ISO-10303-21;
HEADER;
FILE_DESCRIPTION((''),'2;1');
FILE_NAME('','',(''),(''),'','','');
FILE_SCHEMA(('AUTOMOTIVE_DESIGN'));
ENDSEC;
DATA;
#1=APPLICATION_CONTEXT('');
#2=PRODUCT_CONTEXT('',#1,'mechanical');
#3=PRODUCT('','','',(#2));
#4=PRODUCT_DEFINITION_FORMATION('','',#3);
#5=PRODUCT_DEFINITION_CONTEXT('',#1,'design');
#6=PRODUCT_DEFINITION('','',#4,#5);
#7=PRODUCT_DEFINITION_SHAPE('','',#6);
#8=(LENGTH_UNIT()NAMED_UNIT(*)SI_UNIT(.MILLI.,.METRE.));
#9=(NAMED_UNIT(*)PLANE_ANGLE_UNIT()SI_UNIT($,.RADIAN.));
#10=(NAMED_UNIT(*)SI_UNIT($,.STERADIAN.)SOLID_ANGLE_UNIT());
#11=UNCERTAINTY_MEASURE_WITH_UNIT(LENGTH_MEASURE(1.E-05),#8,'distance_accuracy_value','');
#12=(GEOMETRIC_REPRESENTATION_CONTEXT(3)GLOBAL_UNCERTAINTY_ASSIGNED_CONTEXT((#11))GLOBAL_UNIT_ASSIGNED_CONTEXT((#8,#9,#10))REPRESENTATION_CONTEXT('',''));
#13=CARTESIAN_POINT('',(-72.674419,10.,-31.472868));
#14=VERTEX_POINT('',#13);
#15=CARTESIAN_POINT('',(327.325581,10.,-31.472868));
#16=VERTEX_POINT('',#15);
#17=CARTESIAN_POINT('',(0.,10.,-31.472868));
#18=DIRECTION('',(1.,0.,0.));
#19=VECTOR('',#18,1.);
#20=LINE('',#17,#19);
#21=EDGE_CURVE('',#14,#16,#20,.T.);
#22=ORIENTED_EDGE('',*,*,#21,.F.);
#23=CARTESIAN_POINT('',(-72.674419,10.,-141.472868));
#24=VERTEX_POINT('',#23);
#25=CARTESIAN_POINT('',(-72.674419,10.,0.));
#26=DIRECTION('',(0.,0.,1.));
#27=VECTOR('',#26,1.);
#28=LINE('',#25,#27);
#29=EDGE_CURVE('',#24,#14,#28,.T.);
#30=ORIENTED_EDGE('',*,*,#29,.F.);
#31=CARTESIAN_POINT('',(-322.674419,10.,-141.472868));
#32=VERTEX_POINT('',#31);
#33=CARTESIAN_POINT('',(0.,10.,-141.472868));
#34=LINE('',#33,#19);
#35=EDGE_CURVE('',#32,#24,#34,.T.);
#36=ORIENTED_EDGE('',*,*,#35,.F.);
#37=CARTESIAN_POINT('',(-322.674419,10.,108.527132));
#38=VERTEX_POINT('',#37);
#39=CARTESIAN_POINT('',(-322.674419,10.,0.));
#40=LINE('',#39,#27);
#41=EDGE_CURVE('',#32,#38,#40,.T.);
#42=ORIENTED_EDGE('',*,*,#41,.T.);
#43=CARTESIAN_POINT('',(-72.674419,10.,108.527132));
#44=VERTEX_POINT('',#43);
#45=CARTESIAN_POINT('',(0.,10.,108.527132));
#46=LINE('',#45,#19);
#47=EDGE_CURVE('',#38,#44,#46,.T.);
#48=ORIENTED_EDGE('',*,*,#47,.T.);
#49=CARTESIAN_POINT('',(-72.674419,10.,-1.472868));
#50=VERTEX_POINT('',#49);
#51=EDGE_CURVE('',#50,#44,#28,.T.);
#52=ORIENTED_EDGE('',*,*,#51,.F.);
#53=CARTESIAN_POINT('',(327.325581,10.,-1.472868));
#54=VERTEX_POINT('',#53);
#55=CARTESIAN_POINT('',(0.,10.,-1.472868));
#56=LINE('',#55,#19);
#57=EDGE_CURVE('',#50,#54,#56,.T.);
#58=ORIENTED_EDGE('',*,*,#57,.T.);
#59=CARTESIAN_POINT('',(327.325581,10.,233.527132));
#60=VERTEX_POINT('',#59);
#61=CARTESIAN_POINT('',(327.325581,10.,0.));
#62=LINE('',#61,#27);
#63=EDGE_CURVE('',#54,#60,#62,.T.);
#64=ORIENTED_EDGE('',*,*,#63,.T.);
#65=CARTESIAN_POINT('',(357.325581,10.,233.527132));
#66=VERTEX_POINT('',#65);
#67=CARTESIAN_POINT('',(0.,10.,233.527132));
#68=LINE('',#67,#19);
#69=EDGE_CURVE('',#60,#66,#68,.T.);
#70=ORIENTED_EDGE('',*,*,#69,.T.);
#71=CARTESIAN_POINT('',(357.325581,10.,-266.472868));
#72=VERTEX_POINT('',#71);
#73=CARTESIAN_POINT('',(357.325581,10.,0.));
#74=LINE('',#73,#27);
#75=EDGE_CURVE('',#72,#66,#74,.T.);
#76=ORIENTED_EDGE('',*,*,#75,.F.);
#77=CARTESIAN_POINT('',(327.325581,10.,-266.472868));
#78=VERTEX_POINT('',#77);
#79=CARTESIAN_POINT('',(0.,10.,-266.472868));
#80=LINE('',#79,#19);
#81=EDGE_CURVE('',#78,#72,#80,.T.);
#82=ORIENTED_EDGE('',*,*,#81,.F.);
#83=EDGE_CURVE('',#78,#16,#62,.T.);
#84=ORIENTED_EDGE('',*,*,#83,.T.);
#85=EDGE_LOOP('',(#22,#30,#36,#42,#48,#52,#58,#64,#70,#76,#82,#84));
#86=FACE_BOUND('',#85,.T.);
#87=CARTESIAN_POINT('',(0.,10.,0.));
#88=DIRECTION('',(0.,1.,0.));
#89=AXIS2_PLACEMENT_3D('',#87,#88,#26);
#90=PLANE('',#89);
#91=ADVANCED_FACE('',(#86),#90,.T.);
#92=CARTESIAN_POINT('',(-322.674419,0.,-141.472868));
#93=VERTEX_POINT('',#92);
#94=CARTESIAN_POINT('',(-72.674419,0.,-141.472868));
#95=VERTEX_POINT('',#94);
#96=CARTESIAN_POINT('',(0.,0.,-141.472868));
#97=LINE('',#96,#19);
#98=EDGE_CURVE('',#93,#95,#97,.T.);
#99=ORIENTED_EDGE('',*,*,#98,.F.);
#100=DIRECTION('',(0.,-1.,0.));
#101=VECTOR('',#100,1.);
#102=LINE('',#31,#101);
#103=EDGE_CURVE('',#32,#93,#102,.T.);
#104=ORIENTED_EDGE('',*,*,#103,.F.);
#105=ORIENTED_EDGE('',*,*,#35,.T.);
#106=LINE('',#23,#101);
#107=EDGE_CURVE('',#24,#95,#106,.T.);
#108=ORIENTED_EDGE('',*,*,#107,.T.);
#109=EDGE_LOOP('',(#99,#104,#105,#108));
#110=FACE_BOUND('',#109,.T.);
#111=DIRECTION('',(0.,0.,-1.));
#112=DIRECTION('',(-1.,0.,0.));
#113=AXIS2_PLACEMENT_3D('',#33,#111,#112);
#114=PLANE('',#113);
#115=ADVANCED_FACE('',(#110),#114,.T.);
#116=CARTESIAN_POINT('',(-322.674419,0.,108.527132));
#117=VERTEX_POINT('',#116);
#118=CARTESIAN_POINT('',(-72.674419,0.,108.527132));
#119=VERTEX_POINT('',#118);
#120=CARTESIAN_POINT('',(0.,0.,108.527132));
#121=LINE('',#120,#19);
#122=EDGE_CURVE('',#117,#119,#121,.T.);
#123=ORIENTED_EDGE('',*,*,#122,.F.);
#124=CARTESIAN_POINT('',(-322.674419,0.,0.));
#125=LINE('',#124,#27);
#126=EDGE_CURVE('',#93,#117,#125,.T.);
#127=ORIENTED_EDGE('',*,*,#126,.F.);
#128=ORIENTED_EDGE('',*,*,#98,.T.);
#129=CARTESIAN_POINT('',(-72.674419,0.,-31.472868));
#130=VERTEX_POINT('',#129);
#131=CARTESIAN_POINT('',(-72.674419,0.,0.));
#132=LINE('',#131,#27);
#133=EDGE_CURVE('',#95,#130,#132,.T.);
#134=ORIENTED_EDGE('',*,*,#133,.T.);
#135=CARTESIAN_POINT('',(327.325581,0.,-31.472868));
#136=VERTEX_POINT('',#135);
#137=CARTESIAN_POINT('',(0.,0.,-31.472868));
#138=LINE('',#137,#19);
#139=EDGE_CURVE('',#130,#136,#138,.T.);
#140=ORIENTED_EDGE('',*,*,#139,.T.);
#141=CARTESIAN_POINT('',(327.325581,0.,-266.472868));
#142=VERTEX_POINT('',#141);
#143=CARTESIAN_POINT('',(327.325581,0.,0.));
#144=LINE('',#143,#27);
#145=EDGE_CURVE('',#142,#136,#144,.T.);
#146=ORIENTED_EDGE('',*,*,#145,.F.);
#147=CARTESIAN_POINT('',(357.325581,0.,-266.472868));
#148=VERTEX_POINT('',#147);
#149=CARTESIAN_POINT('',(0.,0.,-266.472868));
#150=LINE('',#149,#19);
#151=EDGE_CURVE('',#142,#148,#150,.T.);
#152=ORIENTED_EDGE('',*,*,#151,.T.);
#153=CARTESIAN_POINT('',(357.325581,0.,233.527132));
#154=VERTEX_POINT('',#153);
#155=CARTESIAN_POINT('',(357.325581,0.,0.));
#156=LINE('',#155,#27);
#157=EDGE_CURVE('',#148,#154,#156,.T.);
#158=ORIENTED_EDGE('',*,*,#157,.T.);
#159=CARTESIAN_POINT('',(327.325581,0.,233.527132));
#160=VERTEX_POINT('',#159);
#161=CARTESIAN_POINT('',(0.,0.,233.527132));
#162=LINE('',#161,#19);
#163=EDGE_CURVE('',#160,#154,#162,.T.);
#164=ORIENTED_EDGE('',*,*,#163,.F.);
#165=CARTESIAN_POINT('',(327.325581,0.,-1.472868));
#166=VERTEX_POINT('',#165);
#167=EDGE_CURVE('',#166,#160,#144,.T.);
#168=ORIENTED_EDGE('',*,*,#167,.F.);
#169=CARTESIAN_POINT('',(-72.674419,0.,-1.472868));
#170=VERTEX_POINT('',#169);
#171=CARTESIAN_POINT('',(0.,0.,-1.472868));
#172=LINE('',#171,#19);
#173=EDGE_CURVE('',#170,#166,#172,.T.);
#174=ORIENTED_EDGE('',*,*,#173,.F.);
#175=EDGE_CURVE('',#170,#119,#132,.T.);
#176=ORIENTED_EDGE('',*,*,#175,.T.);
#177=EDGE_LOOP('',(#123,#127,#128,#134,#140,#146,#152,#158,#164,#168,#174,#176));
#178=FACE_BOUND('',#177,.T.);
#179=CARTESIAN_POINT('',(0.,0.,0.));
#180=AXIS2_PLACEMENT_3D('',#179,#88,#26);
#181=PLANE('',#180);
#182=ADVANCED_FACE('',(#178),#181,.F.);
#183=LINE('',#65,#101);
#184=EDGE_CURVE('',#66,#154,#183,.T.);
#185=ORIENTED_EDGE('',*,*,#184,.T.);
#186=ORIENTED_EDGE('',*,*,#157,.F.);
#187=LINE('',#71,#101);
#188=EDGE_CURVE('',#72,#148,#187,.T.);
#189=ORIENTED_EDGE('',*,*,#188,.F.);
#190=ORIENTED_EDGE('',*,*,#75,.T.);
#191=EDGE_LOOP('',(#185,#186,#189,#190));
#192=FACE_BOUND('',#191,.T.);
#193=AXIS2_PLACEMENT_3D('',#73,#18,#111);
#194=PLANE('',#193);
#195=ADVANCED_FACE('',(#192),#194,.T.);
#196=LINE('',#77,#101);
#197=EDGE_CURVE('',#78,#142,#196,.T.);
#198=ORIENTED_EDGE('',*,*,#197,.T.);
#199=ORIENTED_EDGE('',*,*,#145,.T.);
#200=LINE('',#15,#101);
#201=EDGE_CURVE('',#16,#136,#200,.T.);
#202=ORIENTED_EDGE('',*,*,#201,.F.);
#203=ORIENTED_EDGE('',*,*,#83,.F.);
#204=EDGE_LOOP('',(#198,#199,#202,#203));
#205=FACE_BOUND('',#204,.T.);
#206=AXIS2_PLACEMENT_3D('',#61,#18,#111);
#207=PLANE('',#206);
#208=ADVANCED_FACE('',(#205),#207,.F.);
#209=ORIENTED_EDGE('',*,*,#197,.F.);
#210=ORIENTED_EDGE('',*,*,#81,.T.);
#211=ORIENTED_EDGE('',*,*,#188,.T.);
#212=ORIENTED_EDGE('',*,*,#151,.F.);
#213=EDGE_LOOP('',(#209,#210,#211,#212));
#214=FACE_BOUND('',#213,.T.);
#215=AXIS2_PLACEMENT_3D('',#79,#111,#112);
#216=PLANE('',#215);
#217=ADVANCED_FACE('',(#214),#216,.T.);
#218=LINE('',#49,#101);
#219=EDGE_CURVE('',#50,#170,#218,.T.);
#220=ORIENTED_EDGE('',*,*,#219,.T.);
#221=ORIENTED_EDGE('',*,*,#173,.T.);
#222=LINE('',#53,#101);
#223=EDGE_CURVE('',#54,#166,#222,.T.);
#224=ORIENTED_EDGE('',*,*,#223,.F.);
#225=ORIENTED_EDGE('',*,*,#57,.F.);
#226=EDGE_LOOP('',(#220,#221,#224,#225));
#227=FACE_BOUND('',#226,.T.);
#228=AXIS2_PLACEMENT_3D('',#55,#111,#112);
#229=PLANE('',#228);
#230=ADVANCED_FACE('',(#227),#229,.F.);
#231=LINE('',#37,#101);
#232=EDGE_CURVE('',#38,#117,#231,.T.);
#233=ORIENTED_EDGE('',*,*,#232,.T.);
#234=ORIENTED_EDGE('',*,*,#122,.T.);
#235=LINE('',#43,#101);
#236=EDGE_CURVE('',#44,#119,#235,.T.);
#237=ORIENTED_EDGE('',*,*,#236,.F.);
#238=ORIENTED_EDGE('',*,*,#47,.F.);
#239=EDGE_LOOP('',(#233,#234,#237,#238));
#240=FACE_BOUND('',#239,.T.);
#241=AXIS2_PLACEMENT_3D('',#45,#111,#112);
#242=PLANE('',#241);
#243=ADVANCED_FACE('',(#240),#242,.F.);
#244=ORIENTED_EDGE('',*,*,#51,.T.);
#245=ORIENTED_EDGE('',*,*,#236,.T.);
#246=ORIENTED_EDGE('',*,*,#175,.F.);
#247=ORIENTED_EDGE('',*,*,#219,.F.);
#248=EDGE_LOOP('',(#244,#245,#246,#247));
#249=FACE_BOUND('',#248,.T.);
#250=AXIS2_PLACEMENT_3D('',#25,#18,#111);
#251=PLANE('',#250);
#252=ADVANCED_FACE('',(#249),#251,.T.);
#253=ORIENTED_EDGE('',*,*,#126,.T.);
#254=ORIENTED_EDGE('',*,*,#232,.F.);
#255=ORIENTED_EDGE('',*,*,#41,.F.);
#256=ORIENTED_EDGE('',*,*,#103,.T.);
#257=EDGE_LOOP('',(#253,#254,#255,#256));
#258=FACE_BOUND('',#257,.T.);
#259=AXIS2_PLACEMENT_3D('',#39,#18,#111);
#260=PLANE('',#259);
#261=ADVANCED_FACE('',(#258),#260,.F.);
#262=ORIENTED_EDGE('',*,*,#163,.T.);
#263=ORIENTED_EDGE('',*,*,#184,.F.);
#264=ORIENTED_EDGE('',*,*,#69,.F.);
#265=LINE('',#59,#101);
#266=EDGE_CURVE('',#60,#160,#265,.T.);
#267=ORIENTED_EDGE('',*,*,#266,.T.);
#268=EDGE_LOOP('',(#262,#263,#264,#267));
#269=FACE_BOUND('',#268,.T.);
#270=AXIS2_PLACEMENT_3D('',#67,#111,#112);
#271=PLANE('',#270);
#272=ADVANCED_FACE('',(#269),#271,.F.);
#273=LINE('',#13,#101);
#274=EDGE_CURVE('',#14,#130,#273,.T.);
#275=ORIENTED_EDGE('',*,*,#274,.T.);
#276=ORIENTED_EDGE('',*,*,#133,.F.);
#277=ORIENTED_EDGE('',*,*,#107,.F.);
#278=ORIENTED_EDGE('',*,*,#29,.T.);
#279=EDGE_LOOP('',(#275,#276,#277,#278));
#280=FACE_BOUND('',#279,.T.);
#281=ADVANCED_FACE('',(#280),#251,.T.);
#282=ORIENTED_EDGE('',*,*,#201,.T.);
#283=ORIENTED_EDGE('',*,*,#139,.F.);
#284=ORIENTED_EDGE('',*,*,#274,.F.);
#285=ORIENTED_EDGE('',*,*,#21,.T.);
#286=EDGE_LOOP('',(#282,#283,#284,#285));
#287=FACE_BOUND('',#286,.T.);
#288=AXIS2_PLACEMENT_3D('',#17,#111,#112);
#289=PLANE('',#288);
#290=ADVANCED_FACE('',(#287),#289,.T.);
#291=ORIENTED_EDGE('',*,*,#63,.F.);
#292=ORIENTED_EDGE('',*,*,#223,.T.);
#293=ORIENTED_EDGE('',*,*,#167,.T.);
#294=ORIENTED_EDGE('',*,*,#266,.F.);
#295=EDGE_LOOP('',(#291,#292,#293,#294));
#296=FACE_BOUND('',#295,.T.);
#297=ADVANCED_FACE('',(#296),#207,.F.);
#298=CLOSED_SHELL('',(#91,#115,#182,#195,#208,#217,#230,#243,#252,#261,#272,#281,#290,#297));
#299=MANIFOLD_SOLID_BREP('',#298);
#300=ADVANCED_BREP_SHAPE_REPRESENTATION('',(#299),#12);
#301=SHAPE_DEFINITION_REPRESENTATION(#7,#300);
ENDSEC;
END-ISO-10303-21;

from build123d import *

# Parameters (mm, degrees)
SKETCH1_W           = 250
SKETCH1_H           = 250
SKETCH1_W_2         = 400
SKETCH1_H_2         = 30
BOSS_EXTRUDE1_DEPTH = 10


with BuildPart() as part:
    # Sketch1 → Boss-Extrude1 (new body)
    with BuildSketch(Plane(origin=(0, 0, 0), x_dir=(1, 0, 0), z_dir=(0, 1, 0))):
        with Locations((-197.674418605, 16.472868217)):
            Rectangle(SKETCH1_W, SKETCH1_H)
        with Locations((127.325581395, 16.472868217)):
            Rectangle(SKETCH1_W_2, SKETCH1_H_2)
        Polygon((327.325581395, 266.472868217), (327.325581395, 31.472868217), (327.325581395, 1.472868217), (327.325581395, -233.527131783), (357.325581395, -233.527131783), (357.325581395, 266.472868217), align=None)
    extrude(amount=BOSS_EXTRUDE1_DEPTH)


solid = part.part
